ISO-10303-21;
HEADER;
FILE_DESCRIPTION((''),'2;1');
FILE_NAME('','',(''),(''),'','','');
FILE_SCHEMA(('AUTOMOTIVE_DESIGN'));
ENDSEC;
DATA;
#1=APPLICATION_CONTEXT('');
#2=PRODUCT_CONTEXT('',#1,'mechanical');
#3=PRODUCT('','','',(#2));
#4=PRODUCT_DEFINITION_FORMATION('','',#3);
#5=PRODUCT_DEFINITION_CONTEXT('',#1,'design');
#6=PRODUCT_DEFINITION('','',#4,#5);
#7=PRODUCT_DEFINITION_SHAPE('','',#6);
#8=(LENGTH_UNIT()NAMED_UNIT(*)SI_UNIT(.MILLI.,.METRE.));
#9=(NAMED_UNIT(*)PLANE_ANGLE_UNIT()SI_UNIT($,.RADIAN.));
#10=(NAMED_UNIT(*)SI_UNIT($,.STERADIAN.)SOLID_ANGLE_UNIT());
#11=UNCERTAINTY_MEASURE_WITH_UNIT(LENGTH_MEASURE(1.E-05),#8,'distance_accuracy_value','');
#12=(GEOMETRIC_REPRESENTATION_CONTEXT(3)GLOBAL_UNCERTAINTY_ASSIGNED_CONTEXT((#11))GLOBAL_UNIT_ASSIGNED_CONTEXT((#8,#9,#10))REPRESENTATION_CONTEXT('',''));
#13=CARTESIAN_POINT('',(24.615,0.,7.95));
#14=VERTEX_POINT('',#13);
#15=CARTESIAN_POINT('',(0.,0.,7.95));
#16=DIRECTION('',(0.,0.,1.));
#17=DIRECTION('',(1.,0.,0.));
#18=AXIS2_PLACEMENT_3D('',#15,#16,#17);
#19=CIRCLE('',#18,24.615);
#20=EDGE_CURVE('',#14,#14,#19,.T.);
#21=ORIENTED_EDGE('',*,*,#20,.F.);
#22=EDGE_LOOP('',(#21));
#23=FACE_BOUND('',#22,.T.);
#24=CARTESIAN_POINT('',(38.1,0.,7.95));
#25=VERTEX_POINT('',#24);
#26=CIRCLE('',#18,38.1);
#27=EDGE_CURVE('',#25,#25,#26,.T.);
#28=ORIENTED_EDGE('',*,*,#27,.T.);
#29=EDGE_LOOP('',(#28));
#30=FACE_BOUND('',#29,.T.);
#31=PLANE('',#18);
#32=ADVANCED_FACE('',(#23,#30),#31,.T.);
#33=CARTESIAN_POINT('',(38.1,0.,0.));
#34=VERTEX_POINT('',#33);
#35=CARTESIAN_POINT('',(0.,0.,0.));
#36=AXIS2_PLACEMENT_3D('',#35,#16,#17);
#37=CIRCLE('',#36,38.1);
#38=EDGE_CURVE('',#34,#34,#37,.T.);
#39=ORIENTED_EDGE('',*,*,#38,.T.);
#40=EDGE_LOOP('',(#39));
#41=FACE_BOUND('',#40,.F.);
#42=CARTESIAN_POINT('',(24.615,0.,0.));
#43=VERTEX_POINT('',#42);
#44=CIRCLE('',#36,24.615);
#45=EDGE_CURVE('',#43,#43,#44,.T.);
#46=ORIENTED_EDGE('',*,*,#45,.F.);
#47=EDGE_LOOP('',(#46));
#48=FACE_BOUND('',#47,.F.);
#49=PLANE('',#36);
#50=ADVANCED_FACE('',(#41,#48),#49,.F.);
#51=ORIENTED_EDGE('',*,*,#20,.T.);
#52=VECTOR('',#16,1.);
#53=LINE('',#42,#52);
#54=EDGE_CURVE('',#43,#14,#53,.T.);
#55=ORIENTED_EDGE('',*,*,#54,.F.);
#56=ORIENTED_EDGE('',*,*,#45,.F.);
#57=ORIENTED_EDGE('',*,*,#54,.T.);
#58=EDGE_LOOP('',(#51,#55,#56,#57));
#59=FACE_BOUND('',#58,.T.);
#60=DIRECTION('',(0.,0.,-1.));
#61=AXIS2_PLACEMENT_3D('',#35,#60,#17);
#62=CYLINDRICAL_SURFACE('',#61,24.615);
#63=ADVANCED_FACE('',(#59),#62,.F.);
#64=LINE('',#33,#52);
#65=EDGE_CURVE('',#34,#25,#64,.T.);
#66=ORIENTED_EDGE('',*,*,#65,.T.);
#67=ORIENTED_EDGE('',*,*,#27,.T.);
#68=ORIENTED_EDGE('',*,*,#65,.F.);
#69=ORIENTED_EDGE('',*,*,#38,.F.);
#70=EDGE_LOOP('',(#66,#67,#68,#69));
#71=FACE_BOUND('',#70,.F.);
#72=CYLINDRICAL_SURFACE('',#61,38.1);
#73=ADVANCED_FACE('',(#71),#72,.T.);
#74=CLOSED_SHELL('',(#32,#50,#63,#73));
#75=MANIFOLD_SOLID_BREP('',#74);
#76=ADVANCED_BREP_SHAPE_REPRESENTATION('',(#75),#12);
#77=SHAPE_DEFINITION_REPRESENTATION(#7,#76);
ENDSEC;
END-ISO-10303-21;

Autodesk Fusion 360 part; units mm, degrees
sketch "Sketch1" plane through (0, 0, 0) normal (0, 0, 1) x (1, 0, 0)
  circle A0 centre (0, 0) radius 24.615
  circle A1 centre (0, 0) radius 38.1
  dimension "d1" = 49.23
  dimension "d2" = 76.2
extrude "Extrude1" add sketch "Sketch1" along normal blind 7.95
